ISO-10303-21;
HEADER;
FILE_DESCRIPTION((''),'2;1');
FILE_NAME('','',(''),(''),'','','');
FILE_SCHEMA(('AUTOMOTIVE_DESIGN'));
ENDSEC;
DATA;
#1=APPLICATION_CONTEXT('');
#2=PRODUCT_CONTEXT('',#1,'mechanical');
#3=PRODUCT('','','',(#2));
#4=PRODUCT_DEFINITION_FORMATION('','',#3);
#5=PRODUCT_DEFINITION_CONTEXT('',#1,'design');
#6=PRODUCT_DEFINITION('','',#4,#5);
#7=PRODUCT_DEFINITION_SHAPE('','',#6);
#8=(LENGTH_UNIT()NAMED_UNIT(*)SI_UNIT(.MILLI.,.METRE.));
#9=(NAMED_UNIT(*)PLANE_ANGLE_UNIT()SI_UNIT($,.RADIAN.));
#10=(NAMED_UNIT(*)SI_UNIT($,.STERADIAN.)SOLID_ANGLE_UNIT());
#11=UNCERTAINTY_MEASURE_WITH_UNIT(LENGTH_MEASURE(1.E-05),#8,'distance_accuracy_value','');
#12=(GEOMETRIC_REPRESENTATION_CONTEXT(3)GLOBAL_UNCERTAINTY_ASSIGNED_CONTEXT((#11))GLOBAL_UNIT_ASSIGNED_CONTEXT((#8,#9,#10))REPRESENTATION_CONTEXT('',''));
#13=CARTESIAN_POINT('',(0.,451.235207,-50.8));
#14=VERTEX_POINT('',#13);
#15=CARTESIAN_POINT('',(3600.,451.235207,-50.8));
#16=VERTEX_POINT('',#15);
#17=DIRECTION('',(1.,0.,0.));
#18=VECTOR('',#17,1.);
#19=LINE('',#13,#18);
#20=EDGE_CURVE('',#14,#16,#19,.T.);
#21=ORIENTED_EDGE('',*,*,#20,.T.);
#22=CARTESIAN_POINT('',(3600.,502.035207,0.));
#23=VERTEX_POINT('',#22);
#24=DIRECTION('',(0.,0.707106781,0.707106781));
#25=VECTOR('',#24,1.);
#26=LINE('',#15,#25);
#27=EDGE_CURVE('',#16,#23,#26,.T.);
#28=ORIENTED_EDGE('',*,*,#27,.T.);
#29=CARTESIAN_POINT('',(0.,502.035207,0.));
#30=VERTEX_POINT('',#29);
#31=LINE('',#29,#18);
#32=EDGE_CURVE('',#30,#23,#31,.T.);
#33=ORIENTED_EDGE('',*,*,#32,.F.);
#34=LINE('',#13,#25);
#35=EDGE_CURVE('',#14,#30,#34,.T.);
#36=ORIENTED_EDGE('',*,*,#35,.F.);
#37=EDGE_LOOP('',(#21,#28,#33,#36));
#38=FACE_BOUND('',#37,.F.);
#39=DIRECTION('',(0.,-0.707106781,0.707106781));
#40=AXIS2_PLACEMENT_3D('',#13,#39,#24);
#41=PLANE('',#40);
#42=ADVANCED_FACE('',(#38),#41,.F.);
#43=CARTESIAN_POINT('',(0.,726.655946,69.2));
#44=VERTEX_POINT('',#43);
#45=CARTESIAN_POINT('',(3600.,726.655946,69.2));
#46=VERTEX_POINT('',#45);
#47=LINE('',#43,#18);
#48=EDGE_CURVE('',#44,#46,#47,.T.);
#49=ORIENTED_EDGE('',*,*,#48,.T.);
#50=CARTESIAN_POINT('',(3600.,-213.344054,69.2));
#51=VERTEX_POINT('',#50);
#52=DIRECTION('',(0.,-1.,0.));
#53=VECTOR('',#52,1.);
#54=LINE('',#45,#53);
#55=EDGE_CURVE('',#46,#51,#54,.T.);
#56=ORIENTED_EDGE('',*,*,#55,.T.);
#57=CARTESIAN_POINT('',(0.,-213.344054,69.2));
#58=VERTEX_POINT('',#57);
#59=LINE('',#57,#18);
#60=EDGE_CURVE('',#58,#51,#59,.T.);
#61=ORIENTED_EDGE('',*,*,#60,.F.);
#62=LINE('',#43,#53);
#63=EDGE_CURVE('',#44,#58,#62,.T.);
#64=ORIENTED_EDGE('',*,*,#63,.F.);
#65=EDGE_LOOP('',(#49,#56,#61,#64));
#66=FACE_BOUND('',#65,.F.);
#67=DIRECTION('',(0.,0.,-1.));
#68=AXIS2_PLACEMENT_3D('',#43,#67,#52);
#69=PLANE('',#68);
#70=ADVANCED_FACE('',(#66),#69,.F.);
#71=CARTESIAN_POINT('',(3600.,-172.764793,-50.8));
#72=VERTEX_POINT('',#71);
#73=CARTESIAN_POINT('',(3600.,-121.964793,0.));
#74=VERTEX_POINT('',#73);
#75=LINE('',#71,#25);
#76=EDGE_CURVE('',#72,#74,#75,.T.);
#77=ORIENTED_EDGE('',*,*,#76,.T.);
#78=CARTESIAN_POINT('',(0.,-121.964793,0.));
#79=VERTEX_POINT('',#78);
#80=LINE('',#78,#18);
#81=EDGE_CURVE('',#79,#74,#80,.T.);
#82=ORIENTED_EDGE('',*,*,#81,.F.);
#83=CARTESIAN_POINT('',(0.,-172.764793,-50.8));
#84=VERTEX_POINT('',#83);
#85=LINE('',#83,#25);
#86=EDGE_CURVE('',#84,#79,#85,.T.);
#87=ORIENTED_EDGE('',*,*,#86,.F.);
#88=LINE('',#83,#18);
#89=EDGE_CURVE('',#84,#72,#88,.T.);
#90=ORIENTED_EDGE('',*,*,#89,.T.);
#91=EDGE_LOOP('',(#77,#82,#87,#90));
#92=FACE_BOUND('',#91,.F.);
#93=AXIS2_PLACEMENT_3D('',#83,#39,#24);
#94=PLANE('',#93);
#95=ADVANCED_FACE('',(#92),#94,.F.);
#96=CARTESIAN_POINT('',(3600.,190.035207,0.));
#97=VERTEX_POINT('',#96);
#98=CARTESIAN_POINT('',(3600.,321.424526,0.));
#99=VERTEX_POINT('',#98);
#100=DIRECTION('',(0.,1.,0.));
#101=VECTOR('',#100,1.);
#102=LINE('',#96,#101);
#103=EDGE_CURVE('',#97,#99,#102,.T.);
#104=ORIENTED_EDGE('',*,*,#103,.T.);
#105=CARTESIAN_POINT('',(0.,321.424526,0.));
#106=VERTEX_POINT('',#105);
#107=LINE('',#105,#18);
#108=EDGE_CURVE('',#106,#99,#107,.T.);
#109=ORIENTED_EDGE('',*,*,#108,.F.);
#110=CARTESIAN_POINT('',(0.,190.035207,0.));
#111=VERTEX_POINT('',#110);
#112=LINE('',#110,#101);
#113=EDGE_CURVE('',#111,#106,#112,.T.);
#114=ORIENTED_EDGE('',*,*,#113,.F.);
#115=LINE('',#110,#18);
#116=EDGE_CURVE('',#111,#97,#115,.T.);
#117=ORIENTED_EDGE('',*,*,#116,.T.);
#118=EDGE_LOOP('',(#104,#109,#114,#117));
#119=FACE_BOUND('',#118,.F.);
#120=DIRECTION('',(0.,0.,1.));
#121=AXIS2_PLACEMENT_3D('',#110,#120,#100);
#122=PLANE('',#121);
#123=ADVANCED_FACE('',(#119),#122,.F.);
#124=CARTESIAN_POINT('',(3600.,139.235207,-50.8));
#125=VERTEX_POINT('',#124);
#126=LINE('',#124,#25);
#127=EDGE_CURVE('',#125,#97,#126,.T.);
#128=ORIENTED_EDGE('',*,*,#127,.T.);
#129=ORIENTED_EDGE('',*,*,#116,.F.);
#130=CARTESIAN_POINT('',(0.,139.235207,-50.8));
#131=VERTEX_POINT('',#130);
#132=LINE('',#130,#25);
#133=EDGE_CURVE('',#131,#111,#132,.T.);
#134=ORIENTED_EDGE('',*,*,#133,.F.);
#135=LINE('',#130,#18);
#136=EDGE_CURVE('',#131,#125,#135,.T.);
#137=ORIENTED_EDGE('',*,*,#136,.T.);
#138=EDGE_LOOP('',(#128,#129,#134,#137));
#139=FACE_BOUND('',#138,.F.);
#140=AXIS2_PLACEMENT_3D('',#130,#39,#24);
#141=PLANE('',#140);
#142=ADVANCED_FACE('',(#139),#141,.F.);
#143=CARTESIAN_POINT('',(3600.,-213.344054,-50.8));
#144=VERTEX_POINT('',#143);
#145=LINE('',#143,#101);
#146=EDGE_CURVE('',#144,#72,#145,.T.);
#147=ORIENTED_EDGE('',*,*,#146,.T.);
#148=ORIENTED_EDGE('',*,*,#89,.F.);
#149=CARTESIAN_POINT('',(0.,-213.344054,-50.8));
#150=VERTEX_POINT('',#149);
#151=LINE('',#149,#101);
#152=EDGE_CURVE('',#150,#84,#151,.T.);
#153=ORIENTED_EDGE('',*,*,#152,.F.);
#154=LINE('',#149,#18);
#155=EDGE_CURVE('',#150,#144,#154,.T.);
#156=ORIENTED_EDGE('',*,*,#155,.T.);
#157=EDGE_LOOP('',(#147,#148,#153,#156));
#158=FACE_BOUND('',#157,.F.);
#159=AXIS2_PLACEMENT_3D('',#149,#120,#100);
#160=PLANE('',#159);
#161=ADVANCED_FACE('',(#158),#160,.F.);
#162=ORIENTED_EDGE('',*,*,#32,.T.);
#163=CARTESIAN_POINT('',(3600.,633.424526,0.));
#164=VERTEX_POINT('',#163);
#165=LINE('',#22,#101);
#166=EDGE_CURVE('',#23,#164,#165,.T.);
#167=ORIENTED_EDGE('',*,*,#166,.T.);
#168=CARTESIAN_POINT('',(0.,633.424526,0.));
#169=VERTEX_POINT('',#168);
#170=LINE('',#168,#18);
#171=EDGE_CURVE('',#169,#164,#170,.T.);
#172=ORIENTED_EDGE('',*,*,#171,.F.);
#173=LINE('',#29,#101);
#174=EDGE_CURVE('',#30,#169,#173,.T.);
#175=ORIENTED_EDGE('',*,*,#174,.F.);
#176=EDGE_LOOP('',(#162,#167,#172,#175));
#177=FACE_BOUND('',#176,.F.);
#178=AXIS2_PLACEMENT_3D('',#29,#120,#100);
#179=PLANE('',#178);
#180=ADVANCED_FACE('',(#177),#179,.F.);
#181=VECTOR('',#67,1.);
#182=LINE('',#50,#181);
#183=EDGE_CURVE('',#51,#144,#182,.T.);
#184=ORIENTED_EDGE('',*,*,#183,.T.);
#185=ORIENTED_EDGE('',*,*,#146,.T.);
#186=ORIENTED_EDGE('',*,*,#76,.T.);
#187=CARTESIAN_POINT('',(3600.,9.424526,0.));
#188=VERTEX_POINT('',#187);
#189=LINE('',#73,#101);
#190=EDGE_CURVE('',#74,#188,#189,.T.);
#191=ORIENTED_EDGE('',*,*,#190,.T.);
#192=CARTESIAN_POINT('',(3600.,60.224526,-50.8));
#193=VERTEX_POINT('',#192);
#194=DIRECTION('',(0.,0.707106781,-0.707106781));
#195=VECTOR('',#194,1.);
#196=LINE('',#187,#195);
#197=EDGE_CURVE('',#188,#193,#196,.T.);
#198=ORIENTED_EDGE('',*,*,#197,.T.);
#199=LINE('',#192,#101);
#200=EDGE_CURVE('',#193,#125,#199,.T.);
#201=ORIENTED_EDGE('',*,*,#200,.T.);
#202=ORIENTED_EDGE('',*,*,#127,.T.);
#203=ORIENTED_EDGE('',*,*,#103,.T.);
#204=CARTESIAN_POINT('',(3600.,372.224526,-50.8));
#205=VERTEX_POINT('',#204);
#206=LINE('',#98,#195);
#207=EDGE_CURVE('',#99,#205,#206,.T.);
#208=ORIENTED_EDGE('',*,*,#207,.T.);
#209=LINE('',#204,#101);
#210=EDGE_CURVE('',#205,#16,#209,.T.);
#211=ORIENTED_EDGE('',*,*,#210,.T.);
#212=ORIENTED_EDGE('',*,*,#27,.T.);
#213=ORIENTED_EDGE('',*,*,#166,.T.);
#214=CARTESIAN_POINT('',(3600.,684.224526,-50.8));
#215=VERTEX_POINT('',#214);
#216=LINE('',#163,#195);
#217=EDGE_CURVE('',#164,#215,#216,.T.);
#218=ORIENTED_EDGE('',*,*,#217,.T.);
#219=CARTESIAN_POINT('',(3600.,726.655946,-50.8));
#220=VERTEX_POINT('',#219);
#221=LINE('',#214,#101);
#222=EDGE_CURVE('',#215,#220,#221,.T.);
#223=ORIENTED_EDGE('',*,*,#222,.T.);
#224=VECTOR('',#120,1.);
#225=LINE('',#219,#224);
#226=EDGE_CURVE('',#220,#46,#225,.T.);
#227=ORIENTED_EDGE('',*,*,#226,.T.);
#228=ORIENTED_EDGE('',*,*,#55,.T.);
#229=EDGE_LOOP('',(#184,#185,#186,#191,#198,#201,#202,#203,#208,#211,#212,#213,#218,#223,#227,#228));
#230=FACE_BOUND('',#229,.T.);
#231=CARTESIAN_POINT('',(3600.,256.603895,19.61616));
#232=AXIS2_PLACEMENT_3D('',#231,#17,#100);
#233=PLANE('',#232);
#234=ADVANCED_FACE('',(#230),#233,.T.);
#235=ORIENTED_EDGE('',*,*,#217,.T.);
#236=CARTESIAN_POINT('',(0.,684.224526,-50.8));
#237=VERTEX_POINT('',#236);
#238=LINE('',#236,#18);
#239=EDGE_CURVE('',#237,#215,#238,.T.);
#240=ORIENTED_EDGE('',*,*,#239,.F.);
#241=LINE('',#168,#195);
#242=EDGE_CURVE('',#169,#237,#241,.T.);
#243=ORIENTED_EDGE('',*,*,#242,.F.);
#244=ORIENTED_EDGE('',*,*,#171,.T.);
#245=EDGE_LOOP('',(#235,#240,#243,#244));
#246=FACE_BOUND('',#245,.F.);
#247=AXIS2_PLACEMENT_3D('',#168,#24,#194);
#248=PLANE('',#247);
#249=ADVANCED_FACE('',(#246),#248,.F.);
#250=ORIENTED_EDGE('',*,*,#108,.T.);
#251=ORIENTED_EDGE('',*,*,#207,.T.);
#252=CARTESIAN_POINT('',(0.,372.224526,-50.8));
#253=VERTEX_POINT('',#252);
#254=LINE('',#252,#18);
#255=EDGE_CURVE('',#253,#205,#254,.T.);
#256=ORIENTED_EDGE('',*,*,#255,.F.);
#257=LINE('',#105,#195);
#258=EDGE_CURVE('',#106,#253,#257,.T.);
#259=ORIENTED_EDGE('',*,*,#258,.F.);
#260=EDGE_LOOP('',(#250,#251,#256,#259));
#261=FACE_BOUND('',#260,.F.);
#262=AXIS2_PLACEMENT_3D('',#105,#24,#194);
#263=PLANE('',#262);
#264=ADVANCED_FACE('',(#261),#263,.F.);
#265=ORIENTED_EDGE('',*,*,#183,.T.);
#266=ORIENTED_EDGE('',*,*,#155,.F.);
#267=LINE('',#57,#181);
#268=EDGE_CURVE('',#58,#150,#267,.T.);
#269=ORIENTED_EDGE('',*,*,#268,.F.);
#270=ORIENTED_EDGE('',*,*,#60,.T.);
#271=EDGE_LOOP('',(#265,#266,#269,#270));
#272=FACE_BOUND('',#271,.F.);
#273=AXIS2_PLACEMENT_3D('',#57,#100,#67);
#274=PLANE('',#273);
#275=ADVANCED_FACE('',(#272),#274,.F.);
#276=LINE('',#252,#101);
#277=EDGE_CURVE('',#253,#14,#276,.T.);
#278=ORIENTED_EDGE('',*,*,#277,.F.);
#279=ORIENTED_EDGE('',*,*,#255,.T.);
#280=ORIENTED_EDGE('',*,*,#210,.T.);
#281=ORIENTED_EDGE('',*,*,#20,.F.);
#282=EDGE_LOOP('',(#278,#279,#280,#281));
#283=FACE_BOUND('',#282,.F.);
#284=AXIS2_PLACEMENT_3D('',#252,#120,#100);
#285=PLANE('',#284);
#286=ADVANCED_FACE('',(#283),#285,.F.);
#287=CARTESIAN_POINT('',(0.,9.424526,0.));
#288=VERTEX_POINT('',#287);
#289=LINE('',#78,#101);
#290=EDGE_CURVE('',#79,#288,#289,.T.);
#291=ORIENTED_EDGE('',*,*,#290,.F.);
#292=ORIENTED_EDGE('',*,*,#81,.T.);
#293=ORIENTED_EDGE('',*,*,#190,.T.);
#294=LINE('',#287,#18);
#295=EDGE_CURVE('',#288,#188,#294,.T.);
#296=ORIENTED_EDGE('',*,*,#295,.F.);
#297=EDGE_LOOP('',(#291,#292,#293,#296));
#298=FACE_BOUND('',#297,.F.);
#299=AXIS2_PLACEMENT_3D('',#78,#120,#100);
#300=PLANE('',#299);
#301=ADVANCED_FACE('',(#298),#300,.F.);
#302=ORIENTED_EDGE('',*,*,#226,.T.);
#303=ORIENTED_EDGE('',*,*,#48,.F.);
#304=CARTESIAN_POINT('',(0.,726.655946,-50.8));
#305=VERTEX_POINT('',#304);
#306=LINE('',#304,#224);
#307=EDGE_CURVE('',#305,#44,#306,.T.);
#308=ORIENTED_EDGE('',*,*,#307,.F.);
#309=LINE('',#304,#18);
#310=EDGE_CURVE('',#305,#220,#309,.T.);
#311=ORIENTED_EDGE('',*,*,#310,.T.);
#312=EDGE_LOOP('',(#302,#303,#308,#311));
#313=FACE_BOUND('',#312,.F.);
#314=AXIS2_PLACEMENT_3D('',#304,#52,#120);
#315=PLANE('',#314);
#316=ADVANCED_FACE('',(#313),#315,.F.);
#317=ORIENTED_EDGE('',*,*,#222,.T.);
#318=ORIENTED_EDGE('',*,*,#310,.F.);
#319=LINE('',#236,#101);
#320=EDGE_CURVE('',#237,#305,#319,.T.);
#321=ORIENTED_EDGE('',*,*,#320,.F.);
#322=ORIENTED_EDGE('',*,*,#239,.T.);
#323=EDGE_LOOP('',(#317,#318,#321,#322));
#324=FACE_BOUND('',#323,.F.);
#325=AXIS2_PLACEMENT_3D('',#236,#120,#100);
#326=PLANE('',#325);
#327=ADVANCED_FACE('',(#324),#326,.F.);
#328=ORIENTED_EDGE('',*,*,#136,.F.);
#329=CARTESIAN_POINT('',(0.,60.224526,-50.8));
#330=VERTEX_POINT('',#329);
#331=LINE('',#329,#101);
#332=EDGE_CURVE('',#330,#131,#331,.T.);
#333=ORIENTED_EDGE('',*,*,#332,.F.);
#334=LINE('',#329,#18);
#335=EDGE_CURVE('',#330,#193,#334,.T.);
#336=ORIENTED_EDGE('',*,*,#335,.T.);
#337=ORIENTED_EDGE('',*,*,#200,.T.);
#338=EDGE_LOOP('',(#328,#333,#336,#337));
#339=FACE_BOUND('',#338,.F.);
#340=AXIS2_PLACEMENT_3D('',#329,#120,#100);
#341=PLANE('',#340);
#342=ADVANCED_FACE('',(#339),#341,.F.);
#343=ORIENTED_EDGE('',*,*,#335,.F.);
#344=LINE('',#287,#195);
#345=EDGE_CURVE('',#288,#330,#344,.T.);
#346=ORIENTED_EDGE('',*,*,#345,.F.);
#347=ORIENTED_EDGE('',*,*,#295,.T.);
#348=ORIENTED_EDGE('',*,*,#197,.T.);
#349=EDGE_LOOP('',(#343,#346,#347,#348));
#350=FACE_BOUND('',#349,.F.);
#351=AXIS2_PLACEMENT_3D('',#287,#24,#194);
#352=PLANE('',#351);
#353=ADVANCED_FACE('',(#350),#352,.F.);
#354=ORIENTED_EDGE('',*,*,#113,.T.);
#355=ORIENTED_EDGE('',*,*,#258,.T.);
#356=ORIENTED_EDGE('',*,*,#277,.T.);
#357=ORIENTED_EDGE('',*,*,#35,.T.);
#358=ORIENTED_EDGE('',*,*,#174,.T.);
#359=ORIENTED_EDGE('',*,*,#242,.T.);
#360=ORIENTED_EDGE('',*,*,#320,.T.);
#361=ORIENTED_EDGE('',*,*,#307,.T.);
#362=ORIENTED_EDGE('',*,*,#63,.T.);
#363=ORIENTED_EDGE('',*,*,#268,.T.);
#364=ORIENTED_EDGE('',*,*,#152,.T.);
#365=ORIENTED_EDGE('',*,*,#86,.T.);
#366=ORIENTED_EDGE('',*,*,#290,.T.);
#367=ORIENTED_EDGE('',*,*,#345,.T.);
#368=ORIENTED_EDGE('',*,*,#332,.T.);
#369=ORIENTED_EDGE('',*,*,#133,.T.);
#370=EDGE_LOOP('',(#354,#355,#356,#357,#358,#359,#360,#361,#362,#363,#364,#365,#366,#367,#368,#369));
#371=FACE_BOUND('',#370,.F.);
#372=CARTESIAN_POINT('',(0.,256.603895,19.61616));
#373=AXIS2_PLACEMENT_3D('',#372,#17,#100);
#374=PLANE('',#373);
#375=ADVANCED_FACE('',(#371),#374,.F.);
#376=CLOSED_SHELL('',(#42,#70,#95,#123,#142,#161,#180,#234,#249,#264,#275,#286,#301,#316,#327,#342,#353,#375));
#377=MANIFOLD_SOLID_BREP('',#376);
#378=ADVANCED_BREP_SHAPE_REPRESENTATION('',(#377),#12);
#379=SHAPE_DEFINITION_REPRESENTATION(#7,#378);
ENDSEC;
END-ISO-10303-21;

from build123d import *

# Parameters (mm, degrees)
F1_DEPTH = 3600


with BuildPart() as f1:
    # F0 (on Right) → F1 (new body)
    with BuildSketch(Plane.YZ):
        Polygon((-213.344054, 69.2), (-213.344054, -50.8), (-172.764793, -50.8), (-121.964793, 0), (9.424526, 0), (60.224526, -50.8), (98.655946, -50.8), (100.803787, -50.8), (139.235207, -50.8), (190.035207, 0), (321.424526, 0), (372.224526, -50.8), (410.655946, -50.8), (412.803787, -50.8), (451.235207, -50.8), (502.035207, 0), (633.424526, 0), (684.224526, -50.8), (724.803787, -50.8), (726.655946, -50.8), (726.655946, 69.2), align=None)
    extrude(amount=F1_DEPTH)


solid = f1.part
